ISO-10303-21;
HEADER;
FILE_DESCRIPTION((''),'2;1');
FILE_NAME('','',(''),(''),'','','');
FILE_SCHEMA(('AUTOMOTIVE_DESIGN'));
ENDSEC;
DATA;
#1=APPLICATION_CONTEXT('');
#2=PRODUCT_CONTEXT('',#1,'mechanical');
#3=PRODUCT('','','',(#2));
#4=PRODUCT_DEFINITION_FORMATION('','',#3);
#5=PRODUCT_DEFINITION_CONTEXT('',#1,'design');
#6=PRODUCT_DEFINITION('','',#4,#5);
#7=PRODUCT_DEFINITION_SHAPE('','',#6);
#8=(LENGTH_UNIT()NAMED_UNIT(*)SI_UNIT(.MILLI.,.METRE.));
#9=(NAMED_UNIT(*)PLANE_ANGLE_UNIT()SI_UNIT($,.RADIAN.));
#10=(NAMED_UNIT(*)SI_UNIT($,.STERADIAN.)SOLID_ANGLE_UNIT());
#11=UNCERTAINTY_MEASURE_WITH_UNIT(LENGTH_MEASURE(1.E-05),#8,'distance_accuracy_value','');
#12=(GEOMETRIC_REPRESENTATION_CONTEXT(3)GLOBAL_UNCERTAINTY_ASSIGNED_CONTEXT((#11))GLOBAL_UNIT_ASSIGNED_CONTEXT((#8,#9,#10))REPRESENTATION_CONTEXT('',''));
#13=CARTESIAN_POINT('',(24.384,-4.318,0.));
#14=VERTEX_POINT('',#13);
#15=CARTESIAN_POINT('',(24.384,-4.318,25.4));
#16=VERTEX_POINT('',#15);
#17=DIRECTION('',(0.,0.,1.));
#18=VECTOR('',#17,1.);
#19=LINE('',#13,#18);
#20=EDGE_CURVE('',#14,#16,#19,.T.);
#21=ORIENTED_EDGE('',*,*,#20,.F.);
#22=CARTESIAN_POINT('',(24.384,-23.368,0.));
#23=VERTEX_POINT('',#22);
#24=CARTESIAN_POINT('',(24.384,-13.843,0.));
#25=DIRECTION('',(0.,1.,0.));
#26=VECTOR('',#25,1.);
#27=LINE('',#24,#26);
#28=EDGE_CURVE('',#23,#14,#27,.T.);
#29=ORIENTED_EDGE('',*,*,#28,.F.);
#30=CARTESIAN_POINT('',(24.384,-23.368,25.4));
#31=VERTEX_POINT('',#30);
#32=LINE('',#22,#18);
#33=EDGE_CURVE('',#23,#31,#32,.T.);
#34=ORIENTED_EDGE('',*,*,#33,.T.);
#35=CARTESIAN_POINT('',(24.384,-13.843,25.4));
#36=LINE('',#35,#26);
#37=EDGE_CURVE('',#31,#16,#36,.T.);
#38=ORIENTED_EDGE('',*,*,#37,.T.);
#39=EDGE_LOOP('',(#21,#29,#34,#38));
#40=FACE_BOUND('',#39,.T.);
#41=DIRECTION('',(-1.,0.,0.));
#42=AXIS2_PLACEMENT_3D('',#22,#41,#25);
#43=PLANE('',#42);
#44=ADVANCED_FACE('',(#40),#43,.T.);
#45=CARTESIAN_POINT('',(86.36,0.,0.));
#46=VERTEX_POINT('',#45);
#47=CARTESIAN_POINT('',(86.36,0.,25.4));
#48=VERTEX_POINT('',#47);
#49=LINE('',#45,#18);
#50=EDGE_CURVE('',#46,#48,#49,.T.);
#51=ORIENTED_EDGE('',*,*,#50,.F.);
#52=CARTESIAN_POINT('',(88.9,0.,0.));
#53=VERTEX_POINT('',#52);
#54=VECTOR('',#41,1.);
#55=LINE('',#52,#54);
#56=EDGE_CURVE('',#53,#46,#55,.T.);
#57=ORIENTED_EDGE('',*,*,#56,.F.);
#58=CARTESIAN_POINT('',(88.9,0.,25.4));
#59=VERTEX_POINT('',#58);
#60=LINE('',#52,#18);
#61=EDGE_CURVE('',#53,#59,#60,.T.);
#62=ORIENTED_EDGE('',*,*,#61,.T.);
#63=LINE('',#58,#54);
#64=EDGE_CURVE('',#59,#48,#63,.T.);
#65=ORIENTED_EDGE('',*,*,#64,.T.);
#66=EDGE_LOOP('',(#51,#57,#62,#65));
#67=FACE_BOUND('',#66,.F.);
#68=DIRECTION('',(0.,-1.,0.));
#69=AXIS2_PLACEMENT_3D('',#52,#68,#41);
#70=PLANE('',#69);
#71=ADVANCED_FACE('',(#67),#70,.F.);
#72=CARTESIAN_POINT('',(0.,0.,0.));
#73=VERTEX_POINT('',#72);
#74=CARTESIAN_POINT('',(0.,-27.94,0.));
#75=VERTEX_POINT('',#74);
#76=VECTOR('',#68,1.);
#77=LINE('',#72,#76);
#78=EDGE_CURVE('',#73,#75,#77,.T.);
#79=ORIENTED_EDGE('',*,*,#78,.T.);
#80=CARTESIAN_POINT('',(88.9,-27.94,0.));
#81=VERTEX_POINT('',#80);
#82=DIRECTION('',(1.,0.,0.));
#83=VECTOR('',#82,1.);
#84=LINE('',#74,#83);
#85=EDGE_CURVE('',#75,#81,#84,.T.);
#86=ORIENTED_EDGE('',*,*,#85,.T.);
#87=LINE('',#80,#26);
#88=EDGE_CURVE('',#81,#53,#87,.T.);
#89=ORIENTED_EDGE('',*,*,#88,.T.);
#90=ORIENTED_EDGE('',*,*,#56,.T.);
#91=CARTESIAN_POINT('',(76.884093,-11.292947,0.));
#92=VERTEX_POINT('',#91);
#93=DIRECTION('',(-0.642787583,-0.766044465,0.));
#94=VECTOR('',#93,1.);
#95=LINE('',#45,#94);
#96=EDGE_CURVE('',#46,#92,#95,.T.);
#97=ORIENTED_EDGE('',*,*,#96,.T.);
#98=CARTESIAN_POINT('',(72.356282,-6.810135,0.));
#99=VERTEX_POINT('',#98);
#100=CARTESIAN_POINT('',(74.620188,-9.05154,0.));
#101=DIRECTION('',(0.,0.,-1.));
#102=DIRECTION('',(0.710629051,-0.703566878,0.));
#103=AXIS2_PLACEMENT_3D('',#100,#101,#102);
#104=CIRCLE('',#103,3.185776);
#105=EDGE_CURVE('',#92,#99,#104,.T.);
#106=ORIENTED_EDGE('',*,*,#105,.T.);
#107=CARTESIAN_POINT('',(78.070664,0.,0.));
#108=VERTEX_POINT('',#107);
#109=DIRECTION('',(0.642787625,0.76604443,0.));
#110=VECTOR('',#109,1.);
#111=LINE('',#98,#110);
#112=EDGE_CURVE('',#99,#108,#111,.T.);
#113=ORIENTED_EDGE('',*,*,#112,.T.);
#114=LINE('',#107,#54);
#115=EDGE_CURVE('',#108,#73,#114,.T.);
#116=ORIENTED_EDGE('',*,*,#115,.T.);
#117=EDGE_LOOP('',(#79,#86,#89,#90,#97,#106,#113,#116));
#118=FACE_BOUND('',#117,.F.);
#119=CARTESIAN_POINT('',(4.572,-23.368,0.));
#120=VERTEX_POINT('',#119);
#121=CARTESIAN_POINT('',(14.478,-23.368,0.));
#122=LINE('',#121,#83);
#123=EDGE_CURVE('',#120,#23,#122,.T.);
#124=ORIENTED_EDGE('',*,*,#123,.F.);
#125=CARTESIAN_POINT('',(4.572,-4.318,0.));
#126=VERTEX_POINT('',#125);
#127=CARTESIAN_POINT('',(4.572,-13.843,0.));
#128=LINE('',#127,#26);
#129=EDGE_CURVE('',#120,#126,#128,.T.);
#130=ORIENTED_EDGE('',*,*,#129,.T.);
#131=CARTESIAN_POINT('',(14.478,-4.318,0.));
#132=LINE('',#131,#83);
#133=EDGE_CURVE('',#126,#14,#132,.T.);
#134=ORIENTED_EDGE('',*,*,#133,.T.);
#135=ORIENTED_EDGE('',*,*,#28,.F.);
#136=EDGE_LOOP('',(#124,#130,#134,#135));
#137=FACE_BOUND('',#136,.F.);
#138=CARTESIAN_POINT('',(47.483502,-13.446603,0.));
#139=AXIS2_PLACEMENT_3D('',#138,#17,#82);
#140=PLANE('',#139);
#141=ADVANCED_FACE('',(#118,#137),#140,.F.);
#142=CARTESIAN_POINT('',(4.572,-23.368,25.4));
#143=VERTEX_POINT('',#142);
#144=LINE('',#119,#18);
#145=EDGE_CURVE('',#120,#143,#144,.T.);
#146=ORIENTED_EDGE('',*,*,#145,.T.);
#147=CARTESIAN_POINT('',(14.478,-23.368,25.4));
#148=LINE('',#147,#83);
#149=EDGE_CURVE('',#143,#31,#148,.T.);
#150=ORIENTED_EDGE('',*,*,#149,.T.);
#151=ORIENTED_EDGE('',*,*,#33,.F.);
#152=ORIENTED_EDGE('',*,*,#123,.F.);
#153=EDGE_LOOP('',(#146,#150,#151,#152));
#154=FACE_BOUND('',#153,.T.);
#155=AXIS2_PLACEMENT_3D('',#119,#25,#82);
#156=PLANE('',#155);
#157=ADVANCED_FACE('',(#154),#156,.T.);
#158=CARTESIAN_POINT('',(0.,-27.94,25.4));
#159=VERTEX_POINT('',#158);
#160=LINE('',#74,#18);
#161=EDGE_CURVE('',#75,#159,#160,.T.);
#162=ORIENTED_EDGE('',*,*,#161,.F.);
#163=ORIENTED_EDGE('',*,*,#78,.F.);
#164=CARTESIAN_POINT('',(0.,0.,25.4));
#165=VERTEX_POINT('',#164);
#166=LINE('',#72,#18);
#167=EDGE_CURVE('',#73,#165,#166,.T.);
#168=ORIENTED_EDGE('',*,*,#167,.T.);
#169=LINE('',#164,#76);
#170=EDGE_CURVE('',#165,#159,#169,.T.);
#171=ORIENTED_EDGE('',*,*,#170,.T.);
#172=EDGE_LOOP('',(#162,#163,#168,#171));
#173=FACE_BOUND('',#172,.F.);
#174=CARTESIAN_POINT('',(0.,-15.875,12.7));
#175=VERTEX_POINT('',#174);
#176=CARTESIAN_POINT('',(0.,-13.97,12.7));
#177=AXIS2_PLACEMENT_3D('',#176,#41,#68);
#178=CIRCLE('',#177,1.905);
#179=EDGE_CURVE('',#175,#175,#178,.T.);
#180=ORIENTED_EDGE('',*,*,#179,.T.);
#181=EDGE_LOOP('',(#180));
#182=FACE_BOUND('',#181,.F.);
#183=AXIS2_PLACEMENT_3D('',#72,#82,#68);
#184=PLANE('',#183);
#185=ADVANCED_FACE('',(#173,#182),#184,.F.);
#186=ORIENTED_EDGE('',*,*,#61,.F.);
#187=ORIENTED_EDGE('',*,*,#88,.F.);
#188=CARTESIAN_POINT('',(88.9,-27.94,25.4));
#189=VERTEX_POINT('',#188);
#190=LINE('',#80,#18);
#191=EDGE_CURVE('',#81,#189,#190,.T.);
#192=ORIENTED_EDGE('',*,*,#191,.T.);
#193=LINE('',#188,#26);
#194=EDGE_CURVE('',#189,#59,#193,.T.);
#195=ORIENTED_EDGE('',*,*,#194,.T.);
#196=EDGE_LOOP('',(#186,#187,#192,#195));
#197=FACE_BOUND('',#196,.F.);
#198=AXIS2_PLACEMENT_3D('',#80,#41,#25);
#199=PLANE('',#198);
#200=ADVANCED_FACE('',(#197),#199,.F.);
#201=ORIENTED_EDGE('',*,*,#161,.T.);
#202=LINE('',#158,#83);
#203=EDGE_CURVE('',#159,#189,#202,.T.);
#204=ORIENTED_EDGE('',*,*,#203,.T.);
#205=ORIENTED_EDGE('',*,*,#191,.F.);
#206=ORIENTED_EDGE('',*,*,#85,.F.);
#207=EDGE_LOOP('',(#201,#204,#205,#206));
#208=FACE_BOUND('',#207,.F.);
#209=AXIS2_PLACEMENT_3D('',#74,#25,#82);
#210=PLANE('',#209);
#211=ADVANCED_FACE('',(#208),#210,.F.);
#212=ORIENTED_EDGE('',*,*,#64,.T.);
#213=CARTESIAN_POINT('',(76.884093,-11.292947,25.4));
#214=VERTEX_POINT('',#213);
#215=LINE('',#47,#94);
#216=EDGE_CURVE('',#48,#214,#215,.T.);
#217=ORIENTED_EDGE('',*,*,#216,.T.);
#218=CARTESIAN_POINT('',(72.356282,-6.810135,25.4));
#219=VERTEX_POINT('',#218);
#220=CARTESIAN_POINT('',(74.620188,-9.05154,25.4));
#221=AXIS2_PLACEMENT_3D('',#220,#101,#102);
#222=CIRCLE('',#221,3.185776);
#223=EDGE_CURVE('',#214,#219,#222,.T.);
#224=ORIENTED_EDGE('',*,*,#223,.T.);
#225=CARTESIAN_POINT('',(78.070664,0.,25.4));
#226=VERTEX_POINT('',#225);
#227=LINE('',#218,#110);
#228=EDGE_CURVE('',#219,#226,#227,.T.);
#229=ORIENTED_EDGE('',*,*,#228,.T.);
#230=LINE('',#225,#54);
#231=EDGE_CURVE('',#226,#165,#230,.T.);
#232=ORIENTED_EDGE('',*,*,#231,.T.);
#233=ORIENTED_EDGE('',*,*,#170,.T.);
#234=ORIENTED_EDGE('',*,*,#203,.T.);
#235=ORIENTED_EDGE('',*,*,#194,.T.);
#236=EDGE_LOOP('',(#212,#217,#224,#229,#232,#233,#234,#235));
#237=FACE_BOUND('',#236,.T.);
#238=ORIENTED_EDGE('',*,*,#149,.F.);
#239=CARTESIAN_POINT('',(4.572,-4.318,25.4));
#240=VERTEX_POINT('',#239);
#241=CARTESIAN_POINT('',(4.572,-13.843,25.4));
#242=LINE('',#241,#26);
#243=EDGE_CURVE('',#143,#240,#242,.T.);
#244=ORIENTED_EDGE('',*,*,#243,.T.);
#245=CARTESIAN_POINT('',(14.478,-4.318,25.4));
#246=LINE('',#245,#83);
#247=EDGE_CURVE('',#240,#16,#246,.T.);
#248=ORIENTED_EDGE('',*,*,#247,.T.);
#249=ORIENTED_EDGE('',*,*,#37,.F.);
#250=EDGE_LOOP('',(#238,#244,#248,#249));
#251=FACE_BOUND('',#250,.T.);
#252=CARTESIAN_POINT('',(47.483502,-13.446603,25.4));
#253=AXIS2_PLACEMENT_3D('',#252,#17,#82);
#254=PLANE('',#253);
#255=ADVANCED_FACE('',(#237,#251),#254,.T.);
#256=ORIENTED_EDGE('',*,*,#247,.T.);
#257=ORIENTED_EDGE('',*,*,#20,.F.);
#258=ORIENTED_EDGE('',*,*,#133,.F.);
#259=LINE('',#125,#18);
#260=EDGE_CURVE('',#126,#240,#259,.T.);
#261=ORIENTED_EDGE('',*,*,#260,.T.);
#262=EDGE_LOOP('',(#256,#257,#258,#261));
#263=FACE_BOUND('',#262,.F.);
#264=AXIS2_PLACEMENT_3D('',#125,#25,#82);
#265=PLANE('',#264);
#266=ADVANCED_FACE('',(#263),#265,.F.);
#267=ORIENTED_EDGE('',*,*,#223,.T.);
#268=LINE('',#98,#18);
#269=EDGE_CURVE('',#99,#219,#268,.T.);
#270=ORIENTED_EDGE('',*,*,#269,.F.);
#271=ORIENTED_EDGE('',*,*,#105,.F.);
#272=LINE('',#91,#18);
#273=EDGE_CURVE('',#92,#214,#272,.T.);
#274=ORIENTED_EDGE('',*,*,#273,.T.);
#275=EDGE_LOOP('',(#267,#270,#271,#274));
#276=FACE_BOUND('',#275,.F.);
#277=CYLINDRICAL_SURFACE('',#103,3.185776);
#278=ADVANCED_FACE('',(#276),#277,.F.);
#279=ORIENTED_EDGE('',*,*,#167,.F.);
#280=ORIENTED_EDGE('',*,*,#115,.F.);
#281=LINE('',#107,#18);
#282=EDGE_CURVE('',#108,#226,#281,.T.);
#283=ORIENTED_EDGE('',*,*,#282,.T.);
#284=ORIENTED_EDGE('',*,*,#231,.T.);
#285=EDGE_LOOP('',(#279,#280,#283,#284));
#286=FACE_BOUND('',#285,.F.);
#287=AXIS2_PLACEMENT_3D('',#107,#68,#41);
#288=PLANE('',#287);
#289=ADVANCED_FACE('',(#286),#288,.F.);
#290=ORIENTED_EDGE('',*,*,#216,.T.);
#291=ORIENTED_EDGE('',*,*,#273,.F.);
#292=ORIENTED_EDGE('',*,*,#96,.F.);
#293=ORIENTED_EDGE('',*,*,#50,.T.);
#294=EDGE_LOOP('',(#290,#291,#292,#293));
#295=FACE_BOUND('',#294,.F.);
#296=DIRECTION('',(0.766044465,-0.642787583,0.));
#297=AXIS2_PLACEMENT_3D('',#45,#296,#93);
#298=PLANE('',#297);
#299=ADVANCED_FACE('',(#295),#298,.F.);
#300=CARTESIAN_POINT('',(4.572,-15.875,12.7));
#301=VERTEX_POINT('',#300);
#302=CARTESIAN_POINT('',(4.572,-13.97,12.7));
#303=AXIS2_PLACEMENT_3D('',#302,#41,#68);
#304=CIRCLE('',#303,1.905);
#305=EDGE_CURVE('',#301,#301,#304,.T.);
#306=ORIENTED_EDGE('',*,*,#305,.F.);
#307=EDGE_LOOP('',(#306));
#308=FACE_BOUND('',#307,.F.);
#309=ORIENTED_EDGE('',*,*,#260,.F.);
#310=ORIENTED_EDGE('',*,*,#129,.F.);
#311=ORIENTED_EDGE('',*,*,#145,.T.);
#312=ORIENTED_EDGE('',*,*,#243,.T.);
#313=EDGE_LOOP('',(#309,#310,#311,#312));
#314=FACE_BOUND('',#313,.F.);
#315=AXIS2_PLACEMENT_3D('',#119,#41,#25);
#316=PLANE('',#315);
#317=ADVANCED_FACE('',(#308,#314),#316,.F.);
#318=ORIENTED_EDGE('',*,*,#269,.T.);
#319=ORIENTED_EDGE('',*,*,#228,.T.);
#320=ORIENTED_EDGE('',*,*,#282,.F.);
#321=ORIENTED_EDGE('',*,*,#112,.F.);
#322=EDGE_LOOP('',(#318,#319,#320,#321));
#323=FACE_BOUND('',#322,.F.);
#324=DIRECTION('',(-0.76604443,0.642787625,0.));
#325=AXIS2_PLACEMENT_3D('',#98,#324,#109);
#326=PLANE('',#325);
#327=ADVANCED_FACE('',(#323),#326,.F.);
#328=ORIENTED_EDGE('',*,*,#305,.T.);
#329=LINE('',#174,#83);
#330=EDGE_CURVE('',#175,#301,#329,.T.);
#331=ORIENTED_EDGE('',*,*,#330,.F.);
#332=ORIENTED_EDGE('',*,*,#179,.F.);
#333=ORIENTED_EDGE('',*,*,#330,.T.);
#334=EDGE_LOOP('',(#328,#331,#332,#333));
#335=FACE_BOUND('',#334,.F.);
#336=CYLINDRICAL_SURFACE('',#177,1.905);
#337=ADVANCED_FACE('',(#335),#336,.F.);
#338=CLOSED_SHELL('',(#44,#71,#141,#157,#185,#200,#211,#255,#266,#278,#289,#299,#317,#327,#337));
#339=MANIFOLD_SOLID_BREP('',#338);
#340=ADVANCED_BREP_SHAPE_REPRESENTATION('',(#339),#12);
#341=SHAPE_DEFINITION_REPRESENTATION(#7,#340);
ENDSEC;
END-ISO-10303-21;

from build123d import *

# Parameters (mm, degrees)
F0_W     = 19.812
F0_H     = 19.05
F1_DEPTH = 25.4
F2_R     = 1.905
F3_DEPTH = 7.62


with BuildPart() as f1:
    # F0 (on Top) → F1 (new body)
    with BuildSketch(Plane.XY):
        with BuildLine():
            Line((78.070664, 0), (0, 0))
            Line((0, 0), (0, -27.94))
            Line((0, -27.94), (88.9, -27.94))
            Line((88.9, -27.94), (88.9, 0))
            Line((88.9, 0), (86.36, 0))
            Line((86.36, 0), (76.884093, -11.292947))
            ThreePointArc((76.884093, -11.292947), (72.378782, -11.315446), (72.356282, -6.810135))
            Line((72.356282, -6.810135), (78.070664, 0))
        make_face()
        with Locations((14.478, -13.843)):
            Rectangle(F0_W, F0_H, mode=Mode.SUBTRACT)
    extrude(amount=F1_DEPTH)

    # F2 (on face) → F3 (cut)
    with BuildSketch(Plane(origin=(0, 0, 0), x_dir=(0, -1, 0), z_dir=(-1, 0, 0))):
        with Locations((13.97, 12.7)):
            Circle(F2_R)
    extrude(amount=-F3_DEPTH, mode=Mode.SUBTRACT)


solid = f1.part
